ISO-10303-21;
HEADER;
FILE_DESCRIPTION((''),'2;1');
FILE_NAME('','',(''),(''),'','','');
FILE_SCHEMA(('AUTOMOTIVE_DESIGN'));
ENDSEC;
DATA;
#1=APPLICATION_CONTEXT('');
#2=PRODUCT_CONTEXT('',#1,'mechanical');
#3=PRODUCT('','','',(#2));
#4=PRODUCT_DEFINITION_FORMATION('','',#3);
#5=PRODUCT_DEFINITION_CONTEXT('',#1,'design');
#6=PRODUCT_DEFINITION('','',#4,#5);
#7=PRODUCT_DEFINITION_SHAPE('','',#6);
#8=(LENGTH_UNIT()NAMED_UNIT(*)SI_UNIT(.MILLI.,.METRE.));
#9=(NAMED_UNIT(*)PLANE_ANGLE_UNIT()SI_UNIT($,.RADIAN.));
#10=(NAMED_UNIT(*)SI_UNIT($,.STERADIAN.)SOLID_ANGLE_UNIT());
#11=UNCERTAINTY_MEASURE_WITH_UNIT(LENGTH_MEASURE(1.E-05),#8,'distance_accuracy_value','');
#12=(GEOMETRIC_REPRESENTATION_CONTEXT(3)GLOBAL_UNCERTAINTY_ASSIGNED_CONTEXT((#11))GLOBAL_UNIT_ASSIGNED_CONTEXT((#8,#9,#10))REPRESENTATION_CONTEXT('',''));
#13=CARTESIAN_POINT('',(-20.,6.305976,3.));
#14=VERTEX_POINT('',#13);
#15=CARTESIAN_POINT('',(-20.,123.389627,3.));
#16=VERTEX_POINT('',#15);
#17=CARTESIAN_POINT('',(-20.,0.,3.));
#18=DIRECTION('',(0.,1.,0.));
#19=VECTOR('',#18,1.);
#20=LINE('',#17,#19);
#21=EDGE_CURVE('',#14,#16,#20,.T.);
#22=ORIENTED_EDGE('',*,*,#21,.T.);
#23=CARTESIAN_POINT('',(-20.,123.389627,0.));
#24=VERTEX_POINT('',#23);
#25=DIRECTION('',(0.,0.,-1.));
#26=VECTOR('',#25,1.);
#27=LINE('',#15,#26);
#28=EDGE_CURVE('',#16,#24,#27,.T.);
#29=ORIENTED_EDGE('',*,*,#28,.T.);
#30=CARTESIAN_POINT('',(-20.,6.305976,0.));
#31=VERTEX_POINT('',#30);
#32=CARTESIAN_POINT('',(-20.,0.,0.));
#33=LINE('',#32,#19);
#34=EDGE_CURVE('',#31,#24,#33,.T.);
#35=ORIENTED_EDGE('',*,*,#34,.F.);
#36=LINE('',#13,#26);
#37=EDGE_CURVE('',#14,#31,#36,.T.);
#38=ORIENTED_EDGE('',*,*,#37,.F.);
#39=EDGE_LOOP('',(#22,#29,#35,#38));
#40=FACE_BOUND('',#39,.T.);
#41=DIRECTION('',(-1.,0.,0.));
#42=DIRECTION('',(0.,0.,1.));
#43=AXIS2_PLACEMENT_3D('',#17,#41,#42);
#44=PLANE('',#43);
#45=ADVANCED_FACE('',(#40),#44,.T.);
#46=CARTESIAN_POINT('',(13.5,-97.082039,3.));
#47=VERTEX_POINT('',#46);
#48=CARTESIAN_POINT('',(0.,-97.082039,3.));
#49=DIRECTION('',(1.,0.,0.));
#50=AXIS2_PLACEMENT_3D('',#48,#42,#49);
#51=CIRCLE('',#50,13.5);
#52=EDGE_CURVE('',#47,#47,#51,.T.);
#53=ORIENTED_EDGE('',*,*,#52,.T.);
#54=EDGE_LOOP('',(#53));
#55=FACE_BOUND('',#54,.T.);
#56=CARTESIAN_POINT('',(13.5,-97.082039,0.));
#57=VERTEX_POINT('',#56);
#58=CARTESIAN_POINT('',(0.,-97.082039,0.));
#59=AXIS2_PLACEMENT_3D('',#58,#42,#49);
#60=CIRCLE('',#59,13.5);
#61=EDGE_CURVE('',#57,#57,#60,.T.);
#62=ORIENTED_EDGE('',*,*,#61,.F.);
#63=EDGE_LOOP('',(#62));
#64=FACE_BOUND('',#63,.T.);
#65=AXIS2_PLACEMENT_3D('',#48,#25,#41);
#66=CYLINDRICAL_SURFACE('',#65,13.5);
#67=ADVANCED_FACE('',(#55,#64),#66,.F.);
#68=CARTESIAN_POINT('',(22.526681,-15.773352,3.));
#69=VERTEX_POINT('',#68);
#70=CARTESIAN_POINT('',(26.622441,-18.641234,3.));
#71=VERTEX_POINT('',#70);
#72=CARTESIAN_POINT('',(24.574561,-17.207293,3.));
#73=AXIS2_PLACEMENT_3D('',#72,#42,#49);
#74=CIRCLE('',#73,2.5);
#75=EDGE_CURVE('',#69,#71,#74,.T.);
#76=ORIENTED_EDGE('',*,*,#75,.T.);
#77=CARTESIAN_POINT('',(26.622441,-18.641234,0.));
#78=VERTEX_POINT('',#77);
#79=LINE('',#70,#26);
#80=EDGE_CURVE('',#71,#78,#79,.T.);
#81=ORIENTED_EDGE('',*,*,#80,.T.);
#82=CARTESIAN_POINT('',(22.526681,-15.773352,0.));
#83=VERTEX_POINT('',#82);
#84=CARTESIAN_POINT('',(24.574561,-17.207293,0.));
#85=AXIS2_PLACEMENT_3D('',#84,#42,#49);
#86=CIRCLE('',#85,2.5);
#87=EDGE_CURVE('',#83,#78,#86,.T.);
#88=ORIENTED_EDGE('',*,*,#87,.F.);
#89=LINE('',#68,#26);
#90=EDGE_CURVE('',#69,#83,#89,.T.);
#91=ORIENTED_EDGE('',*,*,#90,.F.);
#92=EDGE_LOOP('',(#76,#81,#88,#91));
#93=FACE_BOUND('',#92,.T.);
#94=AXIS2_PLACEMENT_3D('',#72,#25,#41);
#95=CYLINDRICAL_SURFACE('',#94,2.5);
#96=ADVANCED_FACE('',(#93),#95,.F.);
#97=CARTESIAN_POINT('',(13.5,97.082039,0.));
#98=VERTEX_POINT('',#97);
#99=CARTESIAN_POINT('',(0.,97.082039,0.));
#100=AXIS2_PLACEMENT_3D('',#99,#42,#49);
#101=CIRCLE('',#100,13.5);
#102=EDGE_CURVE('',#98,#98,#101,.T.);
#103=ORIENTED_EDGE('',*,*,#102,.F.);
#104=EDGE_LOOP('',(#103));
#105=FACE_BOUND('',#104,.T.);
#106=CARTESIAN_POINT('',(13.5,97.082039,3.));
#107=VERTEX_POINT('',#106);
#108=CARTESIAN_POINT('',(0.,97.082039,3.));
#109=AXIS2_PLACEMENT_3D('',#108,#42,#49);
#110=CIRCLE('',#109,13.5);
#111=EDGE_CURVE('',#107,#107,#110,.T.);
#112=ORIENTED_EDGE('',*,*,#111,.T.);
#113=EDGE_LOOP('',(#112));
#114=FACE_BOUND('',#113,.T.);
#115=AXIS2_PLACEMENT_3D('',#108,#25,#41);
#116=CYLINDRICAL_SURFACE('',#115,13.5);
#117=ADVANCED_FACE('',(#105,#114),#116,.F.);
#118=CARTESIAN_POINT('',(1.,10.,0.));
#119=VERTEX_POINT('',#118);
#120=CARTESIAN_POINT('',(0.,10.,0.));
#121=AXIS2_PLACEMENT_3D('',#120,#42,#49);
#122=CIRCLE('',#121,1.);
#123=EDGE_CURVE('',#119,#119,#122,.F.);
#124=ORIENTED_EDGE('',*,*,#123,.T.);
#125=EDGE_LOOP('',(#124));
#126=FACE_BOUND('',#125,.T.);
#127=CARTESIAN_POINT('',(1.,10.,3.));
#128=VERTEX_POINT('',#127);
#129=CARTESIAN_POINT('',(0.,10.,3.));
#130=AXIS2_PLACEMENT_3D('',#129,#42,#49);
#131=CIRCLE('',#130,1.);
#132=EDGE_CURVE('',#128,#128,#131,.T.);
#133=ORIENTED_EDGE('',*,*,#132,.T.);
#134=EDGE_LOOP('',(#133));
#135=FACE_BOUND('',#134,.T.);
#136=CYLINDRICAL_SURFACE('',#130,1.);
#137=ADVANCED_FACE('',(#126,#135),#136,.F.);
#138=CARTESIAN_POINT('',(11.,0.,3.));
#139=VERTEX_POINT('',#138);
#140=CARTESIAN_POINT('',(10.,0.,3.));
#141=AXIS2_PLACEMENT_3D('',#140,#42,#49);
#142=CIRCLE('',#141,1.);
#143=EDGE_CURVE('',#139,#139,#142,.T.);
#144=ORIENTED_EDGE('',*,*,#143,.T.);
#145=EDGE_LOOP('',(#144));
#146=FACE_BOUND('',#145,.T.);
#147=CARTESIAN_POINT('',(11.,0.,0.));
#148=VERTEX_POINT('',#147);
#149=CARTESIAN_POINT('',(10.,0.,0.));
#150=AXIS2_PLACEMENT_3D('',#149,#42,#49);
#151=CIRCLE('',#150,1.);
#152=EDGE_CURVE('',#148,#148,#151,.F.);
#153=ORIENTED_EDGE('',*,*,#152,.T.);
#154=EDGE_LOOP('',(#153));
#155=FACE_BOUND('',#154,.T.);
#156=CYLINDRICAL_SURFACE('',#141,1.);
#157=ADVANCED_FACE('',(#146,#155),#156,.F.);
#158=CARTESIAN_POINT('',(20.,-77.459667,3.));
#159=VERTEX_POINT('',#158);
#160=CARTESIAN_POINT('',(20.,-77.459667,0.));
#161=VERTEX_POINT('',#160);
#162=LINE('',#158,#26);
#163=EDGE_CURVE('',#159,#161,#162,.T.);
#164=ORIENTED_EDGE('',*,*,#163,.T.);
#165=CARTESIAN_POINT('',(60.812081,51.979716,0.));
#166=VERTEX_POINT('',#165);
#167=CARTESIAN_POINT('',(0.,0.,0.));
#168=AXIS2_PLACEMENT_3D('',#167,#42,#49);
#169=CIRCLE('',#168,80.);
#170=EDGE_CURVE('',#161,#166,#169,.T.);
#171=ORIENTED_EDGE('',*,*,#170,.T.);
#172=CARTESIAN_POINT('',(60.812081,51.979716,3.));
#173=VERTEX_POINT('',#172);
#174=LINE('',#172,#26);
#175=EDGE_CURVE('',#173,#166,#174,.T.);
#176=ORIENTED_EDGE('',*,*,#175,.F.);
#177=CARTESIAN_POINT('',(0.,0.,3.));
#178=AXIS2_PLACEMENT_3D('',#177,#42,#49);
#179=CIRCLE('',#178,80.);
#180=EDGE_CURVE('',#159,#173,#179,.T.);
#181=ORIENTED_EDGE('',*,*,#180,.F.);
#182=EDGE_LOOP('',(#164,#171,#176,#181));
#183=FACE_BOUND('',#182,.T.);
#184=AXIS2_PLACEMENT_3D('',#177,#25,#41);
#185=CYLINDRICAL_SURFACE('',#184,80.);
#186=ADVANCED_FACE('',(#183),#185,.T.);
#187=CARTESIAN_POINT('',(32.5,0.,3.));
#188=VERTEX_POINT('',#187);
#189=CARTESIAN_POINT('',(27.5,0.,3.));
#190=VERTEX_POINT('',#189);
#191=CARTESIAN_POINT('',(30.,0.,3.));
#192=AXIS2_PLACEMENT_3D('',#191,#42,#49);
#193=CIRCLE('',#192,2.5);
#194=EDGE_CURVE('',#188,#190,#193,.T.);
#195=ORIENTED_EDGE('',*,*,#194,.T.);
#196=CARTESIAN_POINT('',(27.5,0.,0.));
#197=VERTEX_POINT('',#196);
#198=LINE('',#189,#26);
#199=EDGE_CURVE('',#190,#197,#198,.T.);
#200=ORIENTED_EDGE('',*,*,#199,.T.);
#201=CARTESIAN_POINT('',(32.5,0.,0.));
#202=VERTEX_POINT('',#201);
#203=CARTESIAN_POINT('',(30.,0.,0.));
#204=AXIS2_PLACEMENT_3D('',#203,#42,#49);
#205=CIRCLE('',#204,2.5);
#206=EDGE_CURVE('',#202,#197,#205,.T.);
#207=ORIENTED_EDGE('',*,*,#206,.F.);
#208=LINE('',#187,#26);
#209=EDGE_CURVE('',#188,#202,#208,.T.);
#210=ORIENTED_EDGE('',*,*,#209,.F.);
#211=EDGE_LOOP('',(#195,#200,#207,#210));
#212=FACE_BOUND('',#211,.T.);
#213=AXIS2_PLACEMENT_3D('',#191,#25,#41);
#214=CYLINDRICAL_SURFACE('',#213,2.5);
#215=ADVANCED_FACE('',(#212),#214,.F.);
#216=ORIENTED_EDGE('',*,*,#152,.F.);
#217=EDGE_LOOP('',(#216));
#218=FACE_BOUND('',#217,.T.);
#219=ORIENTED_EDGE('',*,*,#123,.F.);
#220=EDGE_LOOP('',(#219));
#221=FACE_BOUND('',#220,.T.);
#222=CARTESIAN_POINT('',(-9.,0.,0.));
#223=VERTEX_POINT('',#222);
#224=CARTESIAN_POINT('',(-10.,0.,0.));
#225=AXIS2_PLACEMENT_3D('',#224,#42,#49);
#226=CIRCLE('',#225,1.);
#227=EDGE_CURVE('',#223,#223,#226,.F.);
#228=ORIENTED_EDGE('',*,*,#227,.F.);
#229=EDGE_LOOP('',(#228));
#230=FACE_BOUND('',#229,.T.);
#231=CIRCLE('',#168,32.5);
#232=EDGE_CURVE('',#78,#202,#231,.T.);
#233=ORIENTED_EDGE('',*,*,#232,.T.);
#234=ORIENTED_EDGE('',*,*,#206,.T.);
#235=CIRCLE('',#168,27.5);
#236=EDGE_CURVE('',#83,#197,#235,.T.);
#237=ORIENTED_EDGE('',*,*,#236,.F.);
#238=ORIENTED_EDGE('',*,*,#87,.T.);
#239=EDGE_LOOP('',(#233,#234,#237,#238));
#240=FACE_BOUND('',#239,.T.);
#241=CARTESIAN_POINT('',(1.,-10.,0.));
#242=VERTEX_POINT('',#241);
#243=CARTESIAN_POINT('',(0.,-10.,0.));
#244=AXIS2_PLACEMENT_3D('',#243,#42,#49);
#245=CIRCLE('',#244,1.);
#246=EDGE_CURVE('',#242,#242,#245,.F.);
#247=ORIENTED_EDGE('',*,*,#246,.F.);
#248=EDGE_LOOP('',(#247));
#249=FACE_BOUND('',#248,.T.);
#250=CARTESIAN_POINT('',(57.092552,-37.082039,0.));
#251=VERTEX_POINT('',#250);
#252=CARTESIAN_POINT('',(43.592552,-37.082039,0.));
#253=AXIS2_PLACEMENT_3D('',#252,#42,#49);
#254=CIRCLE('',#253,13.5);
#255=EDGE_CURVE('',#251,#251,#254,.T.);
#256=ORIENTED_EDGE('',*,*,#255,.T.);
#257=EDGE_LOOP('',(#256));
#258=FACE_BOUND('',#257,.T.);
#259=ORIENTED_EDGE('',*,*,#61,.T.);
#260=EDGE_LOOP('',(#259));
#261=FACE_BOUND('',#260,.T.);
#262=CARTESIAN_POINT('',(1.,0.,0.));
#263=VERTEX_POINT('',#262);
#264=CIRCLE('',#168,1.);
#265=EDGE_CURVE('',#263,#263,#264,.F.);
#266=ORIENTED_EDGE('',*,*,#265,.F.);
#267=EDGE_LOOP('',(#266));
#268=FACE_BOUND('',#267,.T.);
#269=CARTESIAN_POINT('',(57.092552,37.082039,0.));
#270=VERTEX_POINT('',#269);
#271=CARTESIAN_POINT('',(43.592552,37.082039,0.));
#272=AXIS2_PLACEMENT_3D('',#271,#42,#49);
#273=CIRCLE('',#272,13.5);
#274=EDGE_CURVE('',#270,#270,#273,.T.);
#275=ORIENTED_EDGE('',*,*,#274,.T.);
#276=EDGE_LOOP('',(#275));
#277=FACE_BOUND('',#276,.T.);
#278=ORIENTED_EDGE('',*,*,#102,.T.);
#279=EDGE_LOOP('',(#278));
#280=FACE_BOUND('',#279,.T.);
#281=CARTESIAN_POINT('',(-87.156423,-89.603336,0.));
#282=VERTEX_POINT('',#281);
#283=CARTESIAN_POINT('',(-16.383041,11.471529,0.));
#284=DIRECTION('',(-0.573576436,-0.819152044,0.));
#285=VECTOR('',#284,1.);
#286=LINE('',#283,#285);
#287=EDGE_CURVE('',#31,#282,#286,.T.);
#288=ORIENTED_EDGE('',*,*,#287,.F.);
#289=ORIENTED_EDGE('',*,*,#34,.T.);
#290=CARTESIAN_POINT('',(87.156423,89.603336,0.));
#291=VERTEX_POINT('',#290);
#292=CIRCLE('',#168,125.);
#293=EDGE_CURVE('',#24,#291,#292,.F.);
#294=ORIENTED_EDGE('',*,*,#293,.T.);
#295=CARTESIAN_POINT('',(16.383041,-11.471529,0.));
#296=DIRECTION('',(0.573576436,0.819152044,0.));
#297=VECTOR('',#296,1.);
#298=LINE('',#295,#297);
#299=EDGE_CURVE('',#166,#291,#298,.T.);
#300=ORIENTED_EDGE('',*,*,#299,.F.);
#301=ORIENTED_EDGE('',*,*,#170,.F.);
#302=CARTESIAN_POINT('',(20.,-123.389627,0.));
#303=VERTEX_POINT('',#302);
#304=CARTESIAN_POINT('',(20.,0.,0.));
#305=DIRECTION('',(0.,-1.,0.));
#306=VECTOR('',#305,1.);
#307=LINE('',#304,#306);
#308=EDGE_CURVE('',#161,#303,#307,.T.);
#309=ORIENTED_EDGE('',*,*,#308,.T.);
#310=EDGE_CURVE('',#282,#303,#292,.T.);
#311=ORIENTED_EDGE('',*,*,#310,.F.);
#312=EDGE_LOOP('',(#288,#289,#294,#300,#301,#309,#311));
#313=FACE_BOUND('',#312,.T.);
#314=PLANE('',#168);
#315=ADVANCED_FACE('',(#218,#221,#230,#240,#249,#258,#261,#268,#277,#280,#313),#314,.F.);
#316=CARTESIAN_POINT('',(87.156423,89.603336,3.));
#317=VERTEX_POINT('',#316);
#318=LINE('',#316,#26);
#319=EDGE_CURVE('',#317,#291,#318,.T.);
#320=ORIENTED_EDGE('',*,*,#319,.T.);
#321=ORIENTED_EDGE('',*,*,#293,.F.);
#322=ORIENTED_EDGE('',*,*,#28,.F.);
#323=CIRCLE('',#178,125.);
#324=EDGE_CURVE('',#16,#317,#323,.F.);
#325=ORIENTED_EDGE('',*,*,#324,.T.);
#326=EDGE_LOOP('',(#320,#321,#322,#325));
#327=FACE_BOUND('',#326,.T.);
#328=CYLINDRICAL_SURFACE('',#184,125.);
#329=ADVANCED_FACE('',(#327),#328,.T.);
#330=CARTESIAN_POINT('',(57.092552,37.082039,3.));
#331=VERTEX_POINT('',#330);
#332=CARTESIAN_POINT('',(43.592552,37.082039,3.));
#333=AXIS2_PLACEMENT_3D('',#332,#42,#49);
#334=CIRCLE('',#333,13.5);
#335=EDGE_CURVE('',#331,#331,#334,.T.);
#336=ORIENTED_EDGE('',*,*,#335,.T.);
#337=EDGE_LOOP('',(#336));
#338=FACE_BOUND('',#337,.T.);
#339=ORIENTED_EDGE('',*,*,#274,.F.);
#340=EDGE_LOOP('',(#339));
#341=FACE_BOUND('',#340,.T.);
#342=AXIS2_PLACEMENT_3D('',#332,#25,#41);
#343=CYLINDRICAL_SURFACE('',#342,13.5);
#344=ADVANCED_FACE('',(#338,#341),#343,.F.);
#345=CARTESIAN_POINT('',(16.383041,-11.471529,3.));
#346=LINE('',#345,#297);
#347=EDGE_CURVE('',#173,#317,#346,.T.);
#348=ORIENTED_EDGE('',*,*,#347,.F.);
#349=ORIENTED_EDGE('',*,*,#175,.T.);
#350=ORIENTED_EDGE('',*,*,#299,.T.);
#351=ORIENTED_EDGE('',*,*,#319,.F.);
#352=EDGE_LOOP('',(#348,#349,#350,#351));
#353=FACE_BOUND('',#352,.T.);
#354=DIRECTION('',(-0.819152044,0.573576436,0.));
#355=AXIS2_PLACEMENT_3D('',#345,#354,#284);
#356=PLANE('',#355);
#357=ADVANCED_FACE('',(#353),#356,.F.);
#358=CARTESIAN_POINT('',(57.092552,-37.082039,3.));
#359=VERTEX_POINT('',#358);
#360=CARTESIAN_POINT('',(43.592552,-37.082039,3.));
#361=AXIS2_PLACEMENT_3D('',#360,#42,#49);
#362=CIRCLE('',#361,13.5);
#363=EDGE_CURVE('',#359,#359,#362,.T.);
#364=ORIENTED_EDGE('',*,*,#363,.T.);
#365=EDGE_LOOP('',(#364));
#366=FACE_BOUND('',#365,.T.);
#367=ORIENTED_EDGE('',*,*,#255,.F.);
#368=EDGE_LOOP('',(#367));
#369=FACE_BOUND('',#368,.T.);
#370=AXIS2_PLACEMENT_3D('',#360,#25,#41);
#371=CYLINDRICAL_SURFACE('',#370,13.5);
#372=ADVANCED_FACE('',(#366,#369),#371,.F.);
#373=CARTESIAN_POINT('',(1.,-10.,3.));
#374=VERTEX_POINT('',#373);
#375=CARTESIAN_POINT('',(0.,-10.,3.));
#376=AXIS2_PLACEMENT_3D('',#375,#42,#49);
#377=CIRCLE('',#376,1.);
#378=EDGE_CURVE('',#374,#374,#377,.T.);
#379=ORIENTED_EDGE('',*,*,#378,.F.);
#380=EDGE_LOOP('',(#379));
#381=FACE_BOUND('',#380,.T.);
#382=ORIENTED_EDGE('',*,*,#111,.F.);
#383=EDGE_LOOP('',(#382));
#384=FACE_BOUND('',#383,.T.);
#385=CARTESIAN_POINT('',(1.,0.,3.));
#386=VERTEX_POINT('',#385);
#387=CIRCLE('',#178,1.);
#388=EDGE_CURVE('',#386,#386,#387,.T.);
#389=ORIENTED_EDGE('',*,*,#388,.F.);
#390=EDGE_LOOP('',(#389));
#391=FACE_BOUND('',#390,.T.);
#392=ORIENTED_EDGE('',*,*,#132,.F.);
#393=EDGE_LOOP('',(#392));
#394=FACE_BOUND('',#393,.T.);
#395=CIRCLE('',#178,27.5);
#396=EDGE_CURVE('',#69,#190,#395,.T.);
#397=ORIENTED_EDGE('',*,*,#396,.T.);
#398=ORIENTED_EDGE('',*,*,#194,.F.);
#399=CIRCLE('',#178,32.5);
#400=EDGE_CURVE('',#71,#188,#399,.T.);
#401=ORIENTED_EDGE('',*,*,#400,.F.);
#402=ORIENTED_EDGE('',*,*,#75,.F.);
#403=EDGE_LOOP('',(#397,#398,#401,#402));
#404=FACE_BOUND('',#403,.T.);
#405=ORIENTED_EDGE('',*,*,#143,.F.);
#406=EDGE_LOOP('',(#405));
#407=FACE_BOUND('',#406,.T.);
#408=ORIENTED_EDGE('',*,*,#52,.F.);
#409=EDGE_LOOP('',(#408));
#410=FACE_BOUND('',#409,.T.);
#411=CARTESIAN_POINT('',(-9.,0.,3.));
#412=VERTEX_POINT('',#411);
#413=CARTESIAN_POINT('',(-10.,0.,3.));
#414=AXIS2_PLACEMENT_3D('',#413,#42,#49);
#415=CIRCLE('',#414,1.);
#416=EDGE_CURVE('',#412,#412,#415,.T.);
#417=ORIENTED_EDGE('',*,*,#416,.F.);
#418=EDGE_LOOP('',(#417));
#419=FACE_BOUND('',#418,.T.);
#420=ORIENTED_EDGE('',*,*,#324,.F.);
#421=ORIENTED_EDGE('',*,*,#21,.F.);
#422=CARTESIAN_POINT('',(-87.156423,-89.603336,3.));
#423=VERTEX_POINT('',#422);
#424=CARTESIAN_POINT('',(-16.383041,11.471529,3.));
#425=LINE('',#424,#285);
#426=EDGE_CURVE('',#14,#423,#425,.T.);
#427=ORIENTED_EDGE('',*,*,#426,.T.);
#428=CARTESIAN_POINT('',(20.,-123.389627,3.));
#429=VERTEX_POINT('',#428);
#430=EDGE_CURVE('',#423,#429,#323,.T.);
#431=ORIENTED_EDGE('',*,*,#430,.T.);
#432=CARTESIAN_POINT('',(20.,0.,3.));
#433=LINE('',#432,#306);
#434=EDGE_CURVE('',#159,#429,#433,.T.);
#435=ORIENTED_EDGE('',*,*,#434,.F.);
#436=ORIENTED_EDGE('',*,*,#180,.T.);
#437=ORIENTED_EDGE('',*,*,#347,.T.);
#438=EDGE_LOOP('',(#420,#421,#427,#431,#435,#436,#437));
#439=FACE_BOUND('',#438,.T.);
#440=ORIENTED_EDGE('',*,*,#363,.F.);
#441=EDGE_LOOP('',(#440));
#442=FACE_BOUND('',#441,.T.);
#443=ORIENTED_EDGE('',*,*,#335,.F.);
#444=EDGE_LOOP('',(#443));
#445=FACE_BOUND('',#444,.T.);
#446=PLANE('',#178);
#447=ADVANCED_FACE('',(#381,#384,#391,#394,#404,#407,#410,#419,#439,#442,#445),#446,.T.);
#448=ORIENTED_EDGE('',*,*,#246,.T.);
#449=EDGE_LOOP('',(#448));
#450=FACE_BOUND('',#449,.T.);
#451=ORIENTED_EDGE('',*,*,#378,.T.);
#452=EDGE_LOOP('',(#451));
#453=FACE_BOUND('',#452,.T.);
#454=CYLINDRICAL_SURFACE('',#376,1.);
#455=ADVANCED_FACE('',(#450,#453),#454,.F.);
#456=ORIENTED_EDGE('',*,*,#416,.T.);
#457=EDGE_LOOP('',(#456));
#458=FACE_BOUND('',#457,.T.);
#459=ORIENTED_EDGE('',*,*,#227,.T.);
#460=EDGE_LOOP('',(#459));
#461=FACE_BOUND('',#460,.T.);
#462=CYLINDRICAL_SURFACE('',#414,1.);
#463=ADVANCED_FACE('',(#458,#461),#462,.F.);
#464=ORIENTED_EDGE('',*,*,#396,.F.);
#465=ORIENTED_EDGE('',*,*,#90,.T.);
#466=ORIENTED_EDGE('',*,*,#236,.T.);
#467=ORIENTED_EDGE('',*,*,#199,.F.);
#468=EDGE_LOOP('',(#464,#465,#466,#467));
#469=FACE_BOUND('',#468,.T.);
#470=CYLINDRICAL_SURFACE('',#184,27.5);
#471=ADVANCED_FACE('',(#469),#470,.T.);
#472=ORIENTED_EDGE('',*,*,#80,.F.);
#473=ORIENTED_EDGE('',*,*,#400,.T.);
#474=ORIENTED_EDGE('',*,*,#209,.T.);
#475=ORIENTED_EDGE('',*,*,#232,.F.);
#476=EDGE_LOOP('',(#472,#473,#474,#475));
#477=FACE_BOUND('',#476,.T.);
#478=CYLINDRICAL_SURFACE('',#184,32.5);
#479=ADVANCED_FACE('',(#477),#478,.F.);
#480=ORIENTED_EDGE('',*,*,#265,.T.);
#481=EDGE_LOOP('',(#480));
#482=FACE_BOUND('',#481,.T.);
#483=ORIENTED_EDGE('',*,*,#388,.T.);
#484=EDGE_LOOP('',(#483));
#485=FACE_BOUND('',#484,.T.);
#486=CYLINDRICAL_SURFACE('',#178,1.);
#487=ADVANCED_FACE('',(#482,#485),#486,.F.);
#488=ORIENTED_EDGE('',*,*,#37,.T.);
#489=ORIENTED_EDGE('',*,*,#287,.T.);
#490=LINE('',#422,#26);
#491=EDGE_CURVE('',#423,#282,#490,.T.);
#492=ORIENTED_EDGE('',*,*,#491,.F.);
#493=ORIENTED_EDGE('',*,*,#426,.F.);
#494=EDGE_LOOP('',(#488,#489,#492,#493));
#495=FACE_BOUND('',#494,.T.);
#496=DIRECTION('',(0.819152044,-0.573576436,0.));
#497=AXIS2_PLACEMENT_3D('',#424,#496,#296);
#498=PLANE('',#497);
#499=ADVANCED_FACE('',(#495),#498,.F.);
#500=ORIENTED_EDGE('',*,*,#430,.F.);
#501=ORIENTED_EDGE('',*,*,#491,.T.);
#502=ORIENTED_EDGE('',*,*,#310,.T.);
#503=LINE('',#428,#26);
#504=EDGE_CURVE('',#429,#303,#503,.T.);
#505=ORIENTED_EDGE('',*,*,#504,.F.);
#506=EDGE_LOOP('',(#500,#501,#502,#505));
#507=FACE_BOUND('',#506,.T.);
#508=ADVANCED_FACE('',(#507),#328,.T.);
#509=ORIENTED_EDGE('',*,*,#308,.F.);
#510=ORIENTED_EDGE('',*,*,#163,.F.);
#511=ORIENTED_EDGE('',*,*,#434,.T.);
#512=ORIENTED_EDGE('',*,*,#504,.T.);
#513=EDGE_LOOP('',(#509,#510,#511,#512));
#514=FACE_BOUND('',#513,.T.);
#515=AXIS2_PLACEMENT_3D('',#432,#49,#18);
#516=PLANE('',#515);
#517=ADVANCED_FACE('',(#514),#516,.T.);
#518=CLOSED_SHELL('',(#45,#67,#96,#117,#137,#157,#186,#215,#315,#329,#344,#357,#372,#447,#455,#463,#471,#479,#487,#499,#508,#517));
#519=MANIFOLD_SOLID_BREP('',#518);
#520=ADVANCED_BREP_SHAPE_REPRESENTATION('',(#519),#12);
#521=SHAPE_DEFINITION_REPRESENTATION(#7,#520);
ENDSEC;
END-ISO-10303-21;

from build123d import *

# Parameters (mm, degrees)
SKETCH1_R             = 13.5
BOSS_EXTRUDE1_DEPTH   = 3
F_2_0MM_DOWEL_HOLE1_D = 2


with BuildPart() as part:
    # Sketch1 → Boss-Extrude1 (new body)
    with BuildSketch(Plane.XY):
        with BuildLine():
            Line((-20, 123.389626793), (-20, 6.305975778))
            Line((-20, 6.305975778), (-87.156423304, -89.603336304))
            ThreePointArc((-87.156423304, -89.603336304), (-37.588224938, -119.214618844), (20, -123.389626793))
            Line((20, -123.389626793), (20, -77.459666924))
            ThreePointArc((20, -77.459666924), (76.29735606, -24.05646396), (60.812080601, 51.979715784))
            Line((60.812080601, 51.979715784), (87.156423304, 89.603336304))
            ThreePointArc((87.156423304, 89.603336304), (37.588224938, 119.214618844), (-20, 123.389626793))
        make_face()
        with Locations((0, -97.082039325)):
            Circle(SKETCH1_R, mode=Mode.SUBTRACT)
        with Locations((43.59255168, -37.082039325)):
            Circle(SKETCH1_R, mode=Mode.SUBTRACT)
        with BuildLine():
            ThreePointArc((32.5, 0), (30.995800899, -9.772938484), (26.622441439, -18.641234181))
            ThreePointArc((26.622441439, -18.641234181), (23.140620238, -19.255173201), (22.526681218, -15.773352))
            ThreePointArc((22.526681218, -15.773352), (26.227216146, -8.269409486), (27.5, 0))
            ThreePointArc((27.5, 0), (30, 2.5), (32.5, 0))
        make_face(mode=Mode.SUBTRACT)
        with Locations((43.59255168, 37.082039325)):
            Circle(SKETCH1_R, mode=Mode.SUBTRACT)
        with Locations((0, 97.082039325)):
            Circle(SKETCH1_R, mode=Mode.SUBTRACT)
    extrude(amount=BOSS_EXTRUDE1_DEPTH)

    # Ø2.0mm Dowel Hole1 (through all)
    with Locations(Plane.XY.offset(3)):
        with Locations((0, -10), (10, 0), (0, 10), (0, 0), (-10, 0)):
            Hole(F_2_0MM_DOWEL_HOLE1_D / 2)


solid = part.part
